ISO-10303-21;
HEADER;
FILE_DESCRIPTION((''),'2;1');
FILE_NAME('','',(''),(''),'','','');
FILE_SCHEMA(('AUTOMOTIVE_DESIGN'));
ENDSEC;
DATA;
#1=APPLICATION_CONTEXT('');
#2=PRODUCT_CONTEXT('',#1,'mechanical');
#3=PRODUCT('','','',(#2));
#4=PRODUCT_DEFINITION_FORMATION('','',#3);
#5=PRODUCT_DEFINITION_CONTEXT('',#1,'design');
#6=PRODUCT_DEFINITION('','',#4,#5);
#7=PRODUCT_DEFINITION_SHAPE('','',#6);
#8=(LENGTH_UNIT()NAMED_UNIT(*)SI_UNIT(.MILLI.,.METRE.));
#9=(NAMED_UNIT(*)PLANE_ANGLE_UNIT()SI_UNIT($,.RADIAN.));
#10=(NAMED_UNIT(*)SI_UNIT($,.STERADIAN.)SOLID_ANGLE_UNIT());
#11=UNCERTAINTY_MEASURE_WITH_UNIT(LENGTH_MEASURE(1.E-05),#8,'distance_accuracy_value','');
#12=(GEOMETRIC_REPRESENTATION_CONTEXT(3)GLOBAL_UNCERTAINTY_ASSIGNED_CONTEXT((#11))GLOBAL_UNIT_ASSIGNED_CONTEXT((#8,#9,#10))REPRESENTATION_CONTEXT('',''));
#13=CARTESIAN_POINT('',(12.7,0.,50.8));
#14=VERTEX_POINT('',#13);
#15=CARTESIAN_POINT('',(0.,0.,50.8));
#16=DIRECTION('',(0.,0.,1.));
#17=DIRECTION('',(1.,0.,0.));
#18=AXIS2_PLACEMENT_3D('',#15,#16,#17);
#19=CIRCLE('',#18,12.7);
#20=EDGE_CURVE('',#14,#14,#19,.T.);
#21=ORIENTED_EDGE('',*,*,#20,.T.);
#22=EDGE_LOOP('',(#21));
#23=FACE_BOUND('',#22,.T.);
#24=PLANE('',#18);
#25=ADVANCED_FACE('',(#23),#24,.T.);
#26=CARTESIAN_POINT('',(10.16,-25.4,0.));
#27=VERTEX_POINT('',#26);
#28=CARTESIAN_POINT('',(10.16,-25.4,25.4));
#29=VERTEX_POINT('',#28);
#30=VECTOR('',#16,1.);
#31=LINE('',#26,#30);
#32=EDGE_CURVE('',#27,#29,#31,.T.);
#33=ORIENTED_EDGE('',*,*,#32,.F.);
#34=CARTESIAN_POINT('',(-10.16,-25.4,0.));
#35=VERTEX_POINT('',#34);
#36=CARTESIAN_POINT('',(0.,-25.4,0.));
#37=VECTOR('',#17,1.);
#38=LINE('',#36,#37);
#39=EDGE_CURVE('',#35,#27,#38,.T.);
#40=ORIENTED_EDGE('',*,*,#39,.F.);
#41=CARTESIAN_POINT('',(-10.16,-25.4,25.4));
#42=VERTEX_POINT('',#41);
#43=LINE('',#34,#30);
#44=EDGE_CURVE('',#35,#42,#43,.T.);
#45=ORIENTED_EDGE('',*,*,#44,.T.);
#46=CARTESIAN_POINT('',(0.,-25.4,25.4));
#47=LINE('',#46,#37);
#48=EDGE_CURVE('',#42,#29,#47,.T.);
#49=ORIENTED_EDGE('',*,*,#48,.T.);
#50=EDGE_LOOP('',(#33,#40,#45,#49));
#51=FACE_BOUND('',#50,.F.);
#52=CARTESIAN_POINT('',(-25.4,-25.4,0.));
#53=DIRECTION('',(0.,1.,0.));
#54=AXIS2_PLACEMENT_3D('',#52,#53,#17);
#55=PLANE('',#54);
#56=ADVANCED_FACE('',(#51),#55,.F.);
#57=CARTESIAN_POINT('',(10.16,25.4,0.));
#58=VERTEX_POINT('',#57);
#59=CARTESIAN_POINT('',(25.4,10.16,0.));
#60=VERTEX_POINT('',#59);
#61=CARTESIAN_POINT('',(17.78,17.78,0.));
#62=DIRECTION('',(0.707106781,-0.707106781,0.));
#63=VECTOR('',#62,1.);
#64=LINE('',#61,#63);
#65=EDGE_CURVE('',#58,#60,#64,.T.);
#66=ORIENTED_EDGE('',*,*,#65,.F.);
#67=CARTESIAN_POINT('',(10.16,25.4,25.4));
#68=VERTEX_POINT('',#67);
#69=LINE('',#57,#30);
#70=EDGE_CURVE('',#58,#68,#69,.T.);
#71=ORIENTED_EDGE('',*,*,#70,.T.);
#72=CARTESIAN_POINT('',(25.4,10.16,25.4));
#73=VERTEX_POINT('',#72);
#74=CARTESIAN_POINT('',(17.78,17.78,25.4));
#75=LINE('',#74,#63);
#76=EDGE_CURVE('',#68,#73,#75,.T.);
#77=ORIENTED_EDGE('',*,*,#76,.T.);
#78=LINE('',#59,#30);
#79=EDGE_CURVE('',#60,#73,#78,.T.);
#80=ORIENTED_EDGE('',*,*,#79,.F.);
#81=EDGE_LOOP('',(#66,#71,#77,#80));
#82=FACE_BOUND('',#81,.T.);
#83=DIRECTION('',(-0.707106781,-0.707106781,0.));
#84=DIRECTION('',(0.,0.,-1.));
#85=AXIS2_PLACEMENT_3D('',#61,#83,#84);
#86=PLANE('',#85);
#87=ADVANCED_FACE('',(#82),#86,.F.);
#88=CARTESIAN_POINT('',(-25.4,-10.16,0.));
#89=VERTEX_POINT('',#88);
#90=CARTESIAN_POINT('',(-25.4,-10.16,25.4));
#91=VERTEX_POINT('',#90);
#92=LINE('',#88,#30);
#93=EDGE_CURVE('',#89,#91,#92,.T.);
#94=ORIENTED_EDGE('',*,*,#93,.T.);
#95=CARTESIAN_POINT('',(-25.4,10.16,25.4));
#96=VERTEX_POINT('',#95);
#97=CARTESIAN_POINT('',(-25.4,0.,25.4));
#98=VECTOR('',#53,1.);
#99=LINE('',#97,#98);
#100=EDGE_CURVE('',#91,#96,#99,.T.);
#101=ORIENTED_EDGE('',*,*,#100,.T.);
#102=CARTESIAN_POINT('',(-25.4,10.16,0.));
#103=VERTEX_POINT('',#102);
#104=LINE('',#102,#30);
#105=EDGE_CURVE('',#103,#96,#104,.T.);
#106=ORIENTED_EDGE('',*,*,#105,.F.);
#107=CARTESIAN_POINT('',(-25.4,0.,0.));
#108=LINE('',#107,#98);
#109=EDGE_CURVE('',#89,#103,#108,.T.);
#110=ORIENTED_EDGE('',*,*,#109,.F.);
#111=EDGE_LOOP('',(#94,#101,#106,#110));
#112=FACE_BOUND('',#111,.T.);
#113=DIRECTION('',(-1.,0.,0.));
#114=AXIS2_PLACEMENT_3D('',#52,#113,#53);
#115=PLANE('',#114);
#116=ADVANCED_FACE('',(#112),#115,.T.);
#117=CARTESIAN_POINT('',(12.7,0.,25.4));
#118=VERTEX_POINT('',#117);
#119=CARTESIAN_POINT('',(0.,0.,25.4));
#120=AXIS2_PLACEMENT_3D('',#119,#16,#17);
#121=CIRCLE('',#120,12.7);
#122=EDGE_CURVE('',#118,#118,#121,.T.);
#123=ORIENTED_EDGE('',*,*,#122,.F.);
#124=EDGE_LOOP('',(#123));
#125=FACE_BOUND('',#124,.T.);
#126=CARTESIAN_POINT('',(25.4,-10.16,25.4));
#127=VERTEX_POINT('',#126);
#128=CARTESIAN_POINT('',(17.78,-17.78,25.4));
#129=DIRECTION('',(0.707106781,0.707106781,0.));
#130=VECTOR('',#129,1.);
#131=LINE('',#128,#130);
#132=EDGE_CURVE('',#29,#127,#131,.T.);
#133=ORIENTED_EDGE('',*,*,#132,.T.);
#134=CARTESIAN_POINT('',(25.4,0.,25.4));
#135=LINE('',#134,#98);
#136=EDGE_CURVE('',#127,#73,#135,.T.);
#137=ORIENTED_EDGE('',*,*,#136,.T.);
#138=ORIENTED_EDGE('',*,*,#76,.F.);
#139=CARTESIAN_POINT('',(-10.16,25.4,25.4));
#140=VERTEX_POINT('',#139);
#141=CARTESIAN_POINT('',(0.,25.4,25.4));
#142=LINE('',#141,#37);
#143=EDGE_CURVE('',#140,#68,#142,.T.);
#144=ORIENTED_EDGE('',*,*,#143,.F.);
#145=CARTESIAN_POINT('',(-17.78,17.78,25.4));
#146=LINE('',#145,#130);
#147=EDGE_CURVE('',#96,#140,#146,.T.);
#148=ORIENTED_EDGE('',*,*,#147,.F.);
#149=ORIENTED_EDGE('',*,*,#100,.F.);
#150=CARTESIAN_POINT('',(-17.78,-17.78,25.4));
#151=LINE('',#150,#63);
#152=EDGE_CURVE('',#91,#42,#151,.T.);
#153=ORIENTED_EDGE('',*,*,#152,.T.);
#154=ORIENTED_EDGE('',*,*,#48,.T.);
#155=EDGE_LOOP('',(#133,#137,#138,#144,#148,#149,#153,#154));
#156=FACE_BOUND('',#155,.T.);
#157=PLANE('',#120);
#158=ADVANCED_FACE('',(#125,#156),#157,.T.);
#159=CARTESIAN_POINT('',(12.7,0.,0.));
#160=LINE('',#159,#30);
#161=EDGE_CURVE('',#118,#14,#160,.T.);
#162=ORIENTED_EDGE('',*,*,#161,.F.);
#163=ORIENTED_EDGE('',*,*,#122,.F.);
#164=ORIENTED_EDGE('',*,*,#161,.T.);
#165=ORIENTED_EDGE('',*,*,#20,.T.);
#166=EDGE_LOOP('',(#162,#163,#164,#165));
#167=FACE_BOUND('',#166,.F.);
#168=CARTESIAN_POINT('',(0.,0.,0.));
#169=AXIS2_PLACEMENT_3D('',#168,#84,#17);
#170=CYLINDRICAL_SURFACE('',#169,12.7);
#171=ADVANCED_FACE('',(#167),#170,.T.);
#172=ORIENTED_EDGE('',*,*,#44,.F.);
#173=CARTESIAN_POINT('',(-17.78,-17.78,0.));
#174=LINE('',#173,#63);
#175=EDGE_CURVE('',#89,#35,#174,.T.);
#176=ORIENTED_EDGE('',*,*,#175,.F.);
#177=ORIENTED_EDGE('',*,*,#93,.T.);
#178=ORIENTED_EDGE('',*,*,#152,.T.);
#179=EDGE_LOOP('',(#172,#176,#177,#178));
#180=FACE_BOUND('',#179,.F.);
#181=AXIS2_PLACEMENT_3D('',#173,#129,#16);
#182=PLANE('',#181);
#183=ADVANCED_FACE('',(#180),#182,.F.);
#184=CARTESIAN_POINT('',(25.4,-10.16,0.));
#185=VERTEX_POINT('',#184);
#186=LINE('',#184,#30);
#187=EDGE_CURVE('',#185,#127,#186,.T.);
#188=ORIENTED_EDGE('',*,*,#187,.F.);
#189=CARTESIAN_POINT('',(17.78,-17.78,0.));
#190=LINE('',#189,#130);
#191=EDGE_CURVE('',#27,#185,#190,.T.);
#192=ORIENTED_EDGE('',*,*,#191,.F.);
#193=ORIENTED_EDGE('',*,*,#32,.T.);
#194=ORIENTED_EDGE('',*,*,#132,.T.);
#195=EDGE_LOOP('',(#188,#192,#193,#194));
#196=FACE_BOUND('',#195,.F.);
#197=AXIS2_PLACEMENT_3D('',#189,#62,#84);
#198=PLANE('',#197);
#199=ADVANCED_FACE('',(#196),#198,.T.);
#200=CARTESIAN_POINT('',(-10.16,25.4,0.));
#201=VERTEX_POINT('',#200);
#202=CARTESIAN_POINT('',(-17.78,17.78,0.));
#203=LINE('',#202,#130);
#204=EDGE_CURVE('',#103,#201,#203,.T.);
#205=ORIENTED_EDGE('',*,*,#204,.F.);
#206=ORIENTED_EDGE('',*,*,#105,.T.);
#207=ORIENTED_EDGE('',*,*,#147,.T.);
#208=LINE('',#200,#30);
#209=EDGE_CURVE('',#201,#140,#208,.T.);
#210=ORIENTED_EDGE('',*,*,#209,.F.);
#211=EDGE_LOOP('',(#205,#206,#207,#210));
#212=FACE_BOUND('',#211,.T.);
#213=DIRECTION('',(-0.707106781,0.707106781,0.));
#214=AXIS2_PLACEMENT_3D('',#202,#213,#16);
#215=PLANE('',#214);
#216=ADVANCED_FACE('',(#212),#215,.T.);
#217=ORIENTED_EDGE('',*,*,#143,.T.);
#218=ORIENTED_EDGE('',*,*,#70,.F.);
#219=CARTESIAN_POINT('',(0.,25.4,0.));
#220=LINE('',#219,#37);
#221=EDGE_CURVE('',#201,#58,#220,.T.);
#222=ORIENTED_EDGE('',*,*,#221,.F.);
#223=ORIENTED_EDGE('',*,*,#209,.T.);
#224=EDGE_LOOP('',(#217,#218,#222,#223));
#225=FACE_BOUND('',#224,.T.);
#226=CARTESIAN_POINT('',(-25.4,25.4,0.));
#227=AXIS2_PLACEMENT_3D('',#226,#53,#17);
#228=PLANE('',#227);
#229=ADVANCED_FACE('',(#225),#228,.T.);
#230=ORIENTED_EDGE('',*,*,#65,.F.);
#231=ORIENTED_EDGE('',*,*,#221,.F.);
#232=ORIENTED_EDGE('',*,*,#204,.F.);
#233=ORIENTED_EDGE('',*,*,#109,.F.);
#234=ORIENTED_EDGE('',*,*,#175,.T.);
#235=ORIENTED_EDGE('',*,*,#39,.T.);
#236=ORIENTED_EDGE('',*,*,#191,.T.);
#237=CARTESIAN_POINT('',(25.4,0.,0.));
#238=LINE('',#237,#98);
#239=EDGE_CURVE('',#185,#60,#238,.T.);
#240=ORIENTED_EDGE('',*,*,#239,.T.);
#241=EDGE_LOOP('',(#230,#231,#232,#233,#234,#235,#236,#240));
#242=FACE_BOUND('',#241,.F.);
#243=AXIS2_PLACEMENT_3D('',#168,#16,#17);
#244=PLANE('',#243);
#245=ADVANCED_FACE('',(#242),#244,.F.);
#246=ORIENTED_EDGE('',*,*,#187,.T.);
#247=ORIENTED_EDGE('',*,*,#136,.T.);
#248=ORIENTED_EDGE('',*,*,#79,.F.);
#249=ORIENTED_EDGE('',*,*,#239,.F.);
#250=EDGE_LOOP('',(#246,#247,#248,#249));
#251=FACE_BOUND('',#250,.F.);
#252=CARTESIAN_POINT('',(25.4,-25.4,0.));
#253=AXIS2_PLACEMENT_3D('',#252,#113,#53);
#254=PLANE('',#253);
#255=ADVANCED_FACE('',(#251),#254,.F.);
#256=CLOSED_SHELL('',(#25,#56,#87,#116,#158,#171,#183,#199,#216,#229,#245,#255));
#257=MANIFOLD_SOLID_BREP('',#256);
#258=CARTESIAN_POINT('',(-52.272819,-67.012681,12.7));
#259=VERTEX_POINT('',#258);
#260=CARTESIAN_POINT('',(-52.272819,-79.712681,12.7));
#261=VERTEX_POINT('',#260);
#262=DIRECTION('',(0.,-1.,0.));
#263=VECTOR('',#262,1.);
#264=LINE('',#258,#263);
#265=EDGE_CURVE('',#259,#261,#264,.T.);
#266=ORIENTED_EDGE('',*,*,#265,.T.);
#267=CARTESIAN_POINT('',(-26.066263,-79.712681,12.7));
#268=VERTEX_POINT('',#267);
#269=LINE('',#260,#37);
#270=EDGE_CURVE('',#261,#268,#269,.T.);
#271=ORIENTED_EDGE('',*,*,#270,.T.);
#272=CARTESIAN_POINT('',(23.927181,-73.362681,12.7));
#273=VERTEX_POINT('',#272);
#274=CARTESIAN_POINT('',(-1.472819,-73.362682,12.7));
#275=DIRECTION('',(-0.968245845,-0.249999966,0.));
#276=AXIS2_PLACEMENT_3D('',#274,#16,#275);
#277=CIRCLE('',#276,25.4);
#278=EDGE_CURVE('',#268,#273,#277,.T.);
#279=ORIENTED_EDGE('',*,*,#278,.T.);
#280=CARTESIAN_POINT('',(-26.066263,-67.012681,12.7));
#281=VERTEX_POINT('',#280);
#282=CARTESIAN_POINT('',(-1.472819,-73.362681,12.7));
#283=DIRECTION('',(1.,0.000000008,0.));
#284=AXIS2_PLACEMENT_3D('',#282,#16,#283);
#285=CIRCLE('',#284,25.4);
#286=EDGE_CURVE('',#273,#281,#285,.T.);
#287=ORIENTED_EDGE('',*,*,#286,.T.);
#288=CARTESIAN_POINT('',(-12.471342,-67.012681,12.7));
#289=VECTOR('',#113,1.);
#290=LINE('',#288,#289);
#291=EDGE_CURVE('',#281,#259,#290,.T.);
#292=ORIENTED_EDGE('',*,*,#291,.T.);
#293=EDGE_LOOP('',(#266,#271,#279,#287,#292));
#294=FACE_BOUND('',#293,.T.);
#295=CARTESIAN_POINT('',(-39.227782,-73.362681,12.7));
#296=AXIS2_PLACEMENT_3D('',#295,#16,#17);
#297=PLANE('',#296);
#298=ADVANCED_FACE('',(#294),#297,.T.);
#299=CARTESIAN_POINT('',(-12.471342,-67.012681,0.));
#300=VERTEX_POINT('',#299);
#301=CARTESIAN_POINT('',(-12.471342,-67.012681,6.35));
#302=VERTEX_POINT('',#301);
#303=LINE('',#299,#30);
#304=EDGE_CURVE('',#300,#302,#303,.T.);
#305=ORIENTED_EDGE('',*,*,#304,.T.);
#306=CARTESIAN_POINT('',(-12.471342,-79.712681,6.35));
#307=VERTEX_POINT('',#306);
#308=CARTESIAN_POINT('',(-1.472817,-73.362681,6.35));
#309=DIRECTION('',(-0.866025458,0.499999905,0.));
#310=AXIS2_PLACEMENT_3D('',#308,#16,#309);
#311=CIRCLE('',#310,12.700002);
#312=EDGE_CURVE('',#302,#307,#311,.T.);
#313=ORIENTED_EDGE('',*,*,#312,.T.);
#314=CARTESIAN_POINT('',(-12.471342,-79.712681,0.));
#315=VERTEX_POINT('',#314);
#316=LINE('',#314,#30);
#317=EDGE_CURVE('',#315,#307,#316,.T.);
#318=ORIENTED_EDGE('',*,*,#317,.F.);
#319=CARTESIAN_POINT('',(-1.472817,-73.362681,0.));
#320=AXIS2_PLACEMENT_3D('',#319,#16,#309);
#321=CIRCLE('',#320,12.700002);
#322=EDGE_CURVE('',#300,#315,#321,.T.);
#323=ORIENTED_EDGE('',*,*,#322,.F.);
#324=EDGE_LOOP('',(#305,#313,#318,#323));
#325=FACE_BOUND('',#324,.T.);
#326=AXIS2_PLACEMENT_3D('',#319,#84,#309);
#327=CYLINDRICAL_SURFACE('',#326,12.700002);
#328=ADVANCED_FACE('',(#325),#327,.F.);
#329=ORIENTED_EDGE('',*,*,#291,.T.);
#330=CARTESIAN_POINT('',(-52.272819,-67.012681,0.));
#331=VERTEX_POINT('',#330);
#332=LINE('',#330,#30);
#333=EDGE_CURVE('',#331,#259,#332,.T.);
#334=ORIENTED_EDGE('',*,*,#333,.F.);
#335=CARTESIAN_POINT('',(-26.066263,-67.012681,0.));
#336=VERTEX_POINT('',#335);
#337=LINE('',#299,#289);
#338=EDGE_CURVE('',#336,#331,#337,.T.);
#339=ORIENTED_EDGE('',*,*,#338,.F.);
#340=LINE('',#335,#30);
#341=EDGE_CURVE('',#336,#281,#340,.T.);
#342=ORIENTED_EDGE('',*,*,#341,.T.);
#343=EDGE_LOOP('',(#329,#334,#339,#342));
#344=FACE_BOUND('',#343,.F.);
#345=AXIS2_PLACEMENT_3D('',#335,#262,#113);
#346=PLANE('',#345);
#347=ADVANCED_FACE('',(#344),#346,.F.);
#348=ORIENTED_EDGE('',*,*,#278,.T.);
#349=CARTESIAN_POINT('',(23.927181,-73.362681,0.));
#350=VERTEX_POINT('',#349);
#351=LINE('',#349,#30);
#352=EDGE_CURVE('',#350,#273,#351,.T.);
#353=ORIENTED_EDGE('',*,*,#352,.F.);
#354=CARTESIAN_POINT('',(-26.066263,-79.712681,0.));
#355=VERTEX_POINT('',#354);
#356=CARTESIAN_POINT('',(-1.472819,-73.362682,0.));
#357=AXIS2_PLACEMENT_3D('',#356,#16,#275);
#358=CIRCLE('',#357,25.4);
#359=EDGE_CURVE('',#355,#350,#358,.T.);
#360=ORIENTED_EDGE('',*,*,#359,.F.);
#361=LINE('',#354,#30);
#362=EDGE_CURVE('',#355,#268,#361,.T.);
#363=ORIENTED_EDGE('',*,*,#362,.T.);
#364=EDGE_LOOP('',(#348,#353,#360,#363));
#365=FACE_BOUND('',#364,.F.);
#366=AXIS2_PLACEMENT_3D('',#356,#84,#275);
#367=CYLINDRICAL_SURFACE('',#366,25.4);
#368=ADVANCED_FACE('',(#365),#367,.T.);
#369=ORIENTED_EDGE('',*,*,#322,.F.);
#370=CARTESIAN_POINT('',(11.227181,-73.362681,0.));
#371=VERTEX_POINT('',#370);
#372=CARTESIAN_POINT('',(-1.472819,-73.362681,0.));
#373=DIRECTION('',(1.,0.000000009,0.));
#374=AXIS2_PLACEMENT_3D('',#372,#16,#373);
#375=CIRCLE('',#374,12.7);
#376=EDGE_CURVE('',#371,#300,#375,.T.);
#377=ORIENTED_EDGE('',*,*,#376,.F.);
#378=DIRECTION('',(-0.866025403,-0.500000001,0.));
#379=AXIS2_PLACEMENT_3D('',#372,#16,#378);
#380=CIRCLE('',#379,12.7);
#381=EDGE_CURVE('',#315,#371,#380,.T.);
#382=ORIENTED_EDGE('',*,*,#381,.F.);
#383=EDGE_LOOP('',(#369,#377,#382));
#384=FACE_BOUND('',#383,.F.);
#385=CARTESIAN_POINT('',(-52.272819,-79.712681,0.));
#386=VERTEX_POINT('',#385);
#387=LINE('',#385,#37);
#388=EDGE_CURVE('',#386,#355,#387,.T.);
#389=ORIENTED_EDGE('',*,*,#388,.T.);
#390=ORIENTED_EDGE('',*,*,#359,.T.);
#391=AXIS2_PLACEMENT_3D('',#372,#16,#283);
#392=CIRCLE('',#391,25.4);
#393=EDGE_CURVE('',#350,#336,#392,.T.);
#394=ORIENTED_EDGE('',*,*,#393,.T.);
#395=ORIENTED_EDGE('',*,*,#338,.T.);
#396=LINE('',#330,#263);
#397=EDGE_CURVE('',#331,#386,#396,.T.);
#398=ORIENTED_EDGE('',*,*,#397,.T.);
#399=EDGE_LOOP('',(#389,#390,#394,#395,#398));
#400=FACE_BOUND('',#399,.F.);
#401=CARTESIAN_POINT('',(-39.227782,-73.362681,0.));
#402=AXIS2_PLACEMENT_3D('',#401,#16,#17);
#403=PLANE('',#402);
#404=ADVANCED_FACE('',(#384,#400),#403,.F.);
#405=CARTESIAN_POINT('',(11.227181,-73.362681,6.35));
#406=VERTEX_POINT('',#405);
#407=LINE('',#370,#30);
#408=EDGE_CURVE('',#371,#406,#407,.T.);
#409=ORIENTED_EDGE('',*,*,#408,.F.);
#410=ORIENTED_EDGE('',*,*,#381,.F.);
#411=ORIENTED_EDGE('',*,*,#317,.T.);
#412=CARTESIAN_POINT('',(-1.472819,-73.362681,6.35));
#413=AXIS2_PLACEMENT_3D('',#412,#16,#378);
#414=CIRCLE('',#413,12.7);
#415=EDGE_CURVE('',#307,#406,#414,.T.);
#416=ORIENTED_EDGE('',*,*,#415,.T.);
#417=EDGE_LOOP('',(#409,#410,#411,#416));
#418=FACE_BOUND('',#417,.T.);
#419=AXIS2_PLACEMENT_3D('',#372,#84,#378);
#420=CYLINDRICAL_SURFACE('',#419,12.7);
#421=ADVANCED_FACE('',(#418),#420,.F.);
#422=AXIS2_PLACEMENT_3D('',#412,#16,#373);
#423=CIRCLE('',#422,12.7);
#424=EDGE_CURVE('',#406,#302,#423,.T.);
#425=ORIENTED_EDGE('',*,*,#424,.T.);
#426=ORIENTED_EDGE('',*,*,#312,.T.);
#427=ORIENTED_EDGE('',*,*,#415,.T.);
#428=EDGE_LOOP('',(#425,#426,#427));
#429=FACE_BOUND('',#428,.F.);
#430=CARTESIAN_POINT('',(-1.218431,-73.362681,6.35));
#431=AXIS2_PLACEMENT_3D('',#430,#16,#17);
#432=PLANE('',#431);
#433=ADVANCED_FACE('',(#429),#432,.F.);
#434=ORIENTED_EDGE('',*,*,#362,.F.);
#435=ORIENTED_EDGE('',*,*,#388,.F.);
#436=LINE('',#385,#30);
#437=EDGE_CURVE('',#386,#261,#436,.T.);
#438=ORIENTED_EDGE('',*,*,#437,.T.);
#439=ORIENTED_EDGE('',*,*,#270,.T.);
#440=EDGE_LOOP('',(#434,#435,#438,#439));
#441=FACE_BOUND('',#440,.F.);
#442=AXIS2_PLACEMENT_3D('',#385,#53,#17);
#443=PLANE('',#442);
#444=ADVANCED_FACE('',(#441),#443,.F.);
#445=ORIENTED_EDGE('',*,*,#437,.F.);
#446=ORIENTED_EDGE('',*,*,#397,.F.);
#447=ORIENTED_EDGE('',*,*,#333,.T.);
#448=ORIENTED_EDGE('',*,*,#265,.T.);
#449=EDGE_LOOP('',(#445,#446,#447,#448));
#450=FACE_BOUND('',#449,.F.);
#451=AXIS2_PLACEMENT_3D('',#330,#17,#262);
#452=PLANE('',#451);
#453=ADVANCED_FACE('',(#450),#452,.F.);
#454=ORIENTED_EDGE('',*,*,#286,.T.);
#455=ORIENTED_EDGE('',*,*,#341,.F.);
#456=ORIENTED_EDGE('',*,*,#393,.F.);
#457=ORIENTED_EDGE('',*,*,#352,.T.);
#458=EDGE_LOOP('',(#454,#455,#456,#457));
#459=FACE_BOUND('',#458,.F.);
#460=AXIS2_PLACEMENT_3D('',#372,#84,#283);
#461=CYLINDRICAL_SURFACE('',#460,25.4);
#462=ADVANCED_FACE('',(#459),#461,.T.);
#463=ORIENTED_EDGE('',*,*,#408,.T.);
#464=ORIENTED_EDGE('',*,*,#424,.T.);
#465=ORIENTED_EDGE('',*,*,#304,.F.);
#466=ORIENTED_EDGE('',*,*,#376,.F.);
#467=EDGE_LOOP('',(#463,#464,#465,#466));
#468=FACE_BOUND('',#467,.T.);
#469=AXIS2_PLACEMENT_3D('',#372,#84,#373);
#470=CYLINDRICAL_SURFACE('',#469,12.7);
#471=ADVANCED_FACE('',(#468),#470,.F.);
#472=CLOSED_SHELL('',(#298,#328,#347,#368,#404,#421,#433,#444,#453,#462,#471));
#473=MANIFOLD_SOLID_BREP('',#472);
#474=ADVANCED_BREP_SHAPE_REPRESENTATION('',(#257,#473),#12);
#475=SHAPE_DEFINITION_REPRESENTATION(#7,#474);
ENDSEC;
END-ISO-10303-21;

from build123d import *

# Parameters (mm, degrees)
F0_R     = 12.7
F0_W     = 50.8
F0_H     = 50.8
F1_DEPTH = 25.4
F2_DEPTH = 50.8
F3_SIZE  = 15.24
F5_DEPTH = 12.7
F6_DEPTH = 6.35


with BuildPart() as f1:
    # F0 (on Top) → F1 (new body)
    with BuildSketch(Plane.XY):
        Circle(F0_R)
        Rectangle(F0_W, F0_H)
        Circle(F0_R, mode=Mode.SUBTRACT)
    extrude(amount=F1_DEPTH)

    # F0 (on Top) → F2 (join)
    with BuildSketch(Plane.XY):
        Circle(F0_R)
    extrude(amount=F2_DEPTH)

    # F3
    f3_edges = [f1.edges().sort_by_distance(p)[0] for p in [
        (-25.4, -25.4, 12.7),
        (25.4, -25.4, 12.7),
        (25.4, 25.4, 12.7),
        (-25.4, 25.4, 12.7),
    ]]
    chamfer(f3_edges, length=F3_SIZE)


with BuildPart() as f5:
    # F4 (on Top) → F5 (new body)
    with BuildSketch(Plane.XY):
        with BuildLine():
            ThreePointArc((-26.066263, -79.712681), (-26.872819, -73.362681), (-26.066263, -67.012681))
            Line((-26.066263, -67.012681), (-52.272819, -67.012681))
            Line((-52.272819, -67.012681), (-52.272819, -79.712681))
            Line((-52.272819, -79.712681), (-26.066263, -79.712681))
        make_face()
        with BuildLine():
            Line((-12.471342, -67.012681), (-26.066263, -67.012681))
            ThreePointArc((-26.066263, -67.012681), (-26.872819, -73.362681), (-26.066263, -79.712681))
            Line((-26.066263, -79.712681), (-12.471342, -79.712681))
            ThreePointArc((-12.471342, -79.712681), (-14.172819, -73.362681), (-12.471342, -67.012681))
        make_face()
        with BuildLine():
            ThreePointArc((-26.066263, -79.712681), (1.72769, -98.560236), (23.927181, -73.362681))
            ThreePointArc((23.927181, -73.362681), (1.72769, -48.165127), (-26.066263, -67.012681))
            Line((-26.066263, -67.012681), (-12.471342, -67.012681))
            ThreePointArc((-12.471342, -67.012681), (1.814183, -61.095423), (11.227181, -73.362681))
            ThreePointArc((11.227181, -73.362681), (1.814183, -85.629939), (-12.471342, -79.712681))
            Line((-12.471342, -79.712681), (-26.066263, -79.712681))
        make_face()
        with BuildLine():
            Line((-1.472819, -67.012681), (-12.471342, -67.012681))
            ThreePointArc((-12.471342, -67.012681), (-14.172819, -73.362681), (-12.471342, -79.712681))
            Line((-12.471342, -79.712681), (-1.472819, -79.712681))
            Line((-1.472819, -79.712681), (-1.472819, -67.012681))
        make_face()
        with BuildLine():
            ThreePointArc((11.227181, -73.362681), (1.814183, -61.095423), (-12.471342, -67.012681))
            Line((-12.471342, -67.012681), (-1.472819, -67.012681))
            Line((-1.472819, -67.012681), (-1.472819, -79.712681))
            Line((-1.472819, -79.712681), (-12.471342, -79.712681))
            ThreePointArc((-12.471342, -79.712681), (1.814183, -85.629939), (11.227181, -73.362681))
        make_face()
    extrude(amount=F5_DEPTH)

    # F4 (on Top) → F6 (cut)
    with BuildSketch(Plane.XY):
        with BuildLine():
            ThreePointArc((11.227181, -73.362681), (1.814183, -61.095423), (-12.471342, -67.012681))
            Line((-12.471342, -67.012681), (-1.472819, -67.012681))
            Line((-1.472819, -67.012681), (-1.472819, -79.712681))
            Line((-1.472819, -79.712681), (-12.471342, -79.712681))
            ThreePointArc((-12.471342, -79.712681), (1.814183, -85.629939), (11.227181, -73.362681))
        make_face()
        with BuildLine():
            Line((-1.472819, -67.012681), (-12.471342, -67.012681))
            ThreePointArc((-12.471342, -67.012681), (-14.172819, -73.362681), (-12.471342, -79.712681))
            Line((-12.471342, -79.712681), (-1.472819, -79.712681))
            Line((-1.472819, -79.712681), (-1.472819, -67.012681))
        make_face()
    extrude(amount=F6_DEPTH, mode=Mode.SUBTRACT)


solid = Compound([f1.part, f5.part])
